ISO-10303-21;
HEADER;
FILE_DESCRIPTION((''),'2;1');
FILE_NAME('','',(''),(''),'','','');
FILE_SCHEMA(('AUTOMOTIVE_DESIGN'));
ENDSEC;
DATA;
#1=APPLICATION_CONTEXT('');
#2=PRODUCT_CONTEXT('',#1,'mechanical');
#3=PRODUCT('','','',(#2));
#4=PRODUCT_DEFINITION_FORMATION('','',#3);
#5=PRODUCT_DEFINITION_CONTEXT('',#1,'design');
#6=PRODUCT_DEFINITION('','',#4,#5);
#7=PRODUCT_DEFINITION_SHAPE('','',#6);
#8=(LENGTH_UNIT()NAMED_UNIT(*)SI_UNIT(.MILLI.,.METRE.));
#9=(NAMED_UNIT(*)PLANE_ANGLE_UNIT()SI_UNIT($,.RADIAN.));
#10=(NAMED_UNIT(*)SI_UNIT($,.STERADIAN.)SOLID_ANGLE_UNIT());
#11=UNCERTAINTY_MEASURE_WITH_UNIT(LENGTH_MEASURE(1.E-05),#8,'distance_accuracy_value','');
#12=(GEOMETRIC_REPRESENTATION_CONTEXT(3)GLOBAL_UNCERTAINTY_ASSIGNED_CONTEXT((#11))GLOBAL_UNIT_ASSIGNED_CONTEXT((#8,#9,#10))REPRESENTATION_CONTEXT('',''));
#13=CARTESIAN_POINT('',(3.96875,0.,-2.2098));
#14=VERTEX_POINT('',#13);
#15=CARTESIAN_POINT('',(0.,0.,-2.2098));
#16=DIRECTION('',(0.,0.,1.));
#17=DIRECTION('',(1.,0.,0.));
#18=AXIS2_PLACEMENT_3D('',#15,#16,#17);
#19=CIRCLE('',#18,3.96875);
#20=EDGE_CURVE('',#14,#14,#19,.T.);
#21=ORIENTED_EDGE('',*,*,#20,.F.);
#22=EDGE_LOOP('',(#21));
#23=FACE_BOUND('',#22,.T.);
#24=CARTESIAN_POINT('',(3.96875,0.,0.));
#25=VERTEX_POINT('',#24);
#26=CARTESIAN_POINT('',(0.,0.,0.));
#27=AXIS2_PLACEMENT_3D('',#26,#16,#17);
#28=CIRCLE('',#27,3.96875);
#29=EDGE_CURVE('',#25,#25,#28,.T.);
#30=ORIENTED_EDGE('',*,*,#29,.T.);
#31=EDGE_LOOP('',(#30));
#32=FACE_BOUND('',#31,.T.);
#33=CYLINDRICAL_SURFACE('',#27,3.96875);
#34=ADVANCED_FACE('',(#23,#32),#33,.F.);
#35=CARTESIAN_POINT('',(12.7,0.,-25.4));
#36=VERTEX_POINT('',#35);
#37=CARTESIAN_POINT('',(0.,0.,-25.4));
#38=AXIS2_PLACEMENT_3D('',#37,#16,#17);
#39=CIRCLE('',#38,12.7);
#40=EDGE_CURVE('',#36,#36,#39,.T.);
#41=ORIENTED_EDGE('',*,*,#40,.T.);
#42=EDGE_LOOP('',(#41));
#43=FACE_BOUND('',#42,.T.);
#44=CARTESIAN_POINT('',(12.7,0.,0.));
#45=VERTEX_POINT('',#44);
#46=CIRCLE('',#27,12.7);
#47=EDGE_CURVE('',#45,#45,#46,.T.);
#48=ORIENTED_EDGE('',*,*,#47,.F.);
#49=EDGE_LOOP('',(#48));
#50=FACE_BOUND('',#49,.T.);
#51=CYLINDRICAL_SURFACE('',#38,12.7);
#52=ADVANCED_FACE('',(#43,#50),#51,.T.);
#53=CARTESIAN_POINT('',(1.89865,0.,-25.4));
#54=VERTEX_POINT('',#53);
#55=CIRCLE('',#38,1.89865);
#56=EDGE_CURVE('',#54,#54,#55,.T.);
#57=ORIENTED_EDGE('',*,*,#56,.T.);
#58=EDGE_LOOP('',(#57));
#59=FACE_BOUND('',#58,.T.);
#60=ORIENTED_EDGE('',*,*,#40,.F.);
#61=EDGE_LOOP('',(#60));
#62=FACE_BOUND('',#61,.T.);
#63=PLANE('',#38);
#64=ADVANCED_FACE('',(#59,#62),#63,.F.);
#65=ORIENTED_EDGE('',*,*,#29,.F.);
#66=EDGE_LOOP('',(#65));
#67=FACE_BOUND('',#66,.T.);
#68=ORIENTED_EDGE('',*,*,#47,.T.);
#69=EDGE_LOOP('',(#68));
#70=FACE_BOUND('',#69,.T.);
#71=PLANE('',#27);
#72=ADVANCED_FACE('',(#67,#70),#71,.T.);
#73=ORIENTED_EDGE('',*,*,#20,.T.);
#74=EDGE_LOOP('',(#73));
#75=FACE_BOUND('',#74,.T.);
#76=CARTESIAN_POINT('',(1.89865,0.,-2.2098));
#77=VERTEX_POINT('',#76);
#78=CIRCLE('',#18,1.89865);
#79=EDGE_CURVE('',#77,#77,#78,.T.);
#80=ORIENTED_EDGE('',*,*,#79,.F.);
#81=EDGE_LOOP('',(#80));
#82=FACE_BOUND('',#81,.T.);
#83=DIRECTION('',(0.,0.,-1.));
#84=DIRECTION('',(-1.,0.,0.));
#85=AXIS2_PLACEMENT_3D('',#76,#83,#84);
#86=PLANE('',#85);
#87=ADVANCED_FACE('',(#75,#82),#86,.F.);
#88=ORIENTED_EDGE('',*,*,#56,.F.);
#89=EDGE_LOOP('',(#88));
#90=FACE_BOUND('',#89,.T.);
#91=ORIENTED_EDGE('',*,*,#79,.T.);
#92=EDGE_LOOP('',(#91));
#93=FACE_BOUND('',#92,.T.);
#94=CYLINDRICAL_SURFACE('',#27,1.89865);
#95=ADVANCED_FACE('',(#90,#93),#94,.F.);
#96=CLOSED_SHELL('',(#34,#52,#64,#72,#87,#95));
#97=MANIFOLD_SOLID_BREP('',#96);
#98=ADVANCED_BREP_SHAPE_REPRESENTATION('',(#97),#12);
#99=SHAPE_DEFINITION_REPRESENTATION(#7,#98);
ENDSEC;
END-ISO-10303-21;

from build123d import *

# Parameters (mm, degrees)
SKETCH1_R                                           = 12.7
BOSS_EXTRUDE1_DEPTH                                 = 25.4
CBORE_FOR_6_BINDING_HEAD_MACHINE_SCREW1_D           = 3.7973
CBORE_FOR_6_BINDING_HEAD_MACHINE_SCREW1_CBORE_D     = 7.9375
CBORE_FOR_6_BINDING_HEAD_MACHINE_SCREW1_CBORE_DEPTH = 2.2098


with BuildPart() as part:
    # Sketch1 → Boss-Extrude1 (new body)
    with BuildSketch(Plane.XY):
        Circle(SKETCH1_R)
    extrude(amount=-BOSS_EXTRUDE1_DEPTH)

    # CBORE for #6 Binding Head Machine Screw1 (through all)
    with Locations(Plane.XY):
        with Locations((0, 0)):
            CounterBoreHole(CBORE_FOR_6_BINDING_HEAD_MACHINE_SCREW1_D / 2, CBORE_FOR_6_BINDING_HEAD_MACHINE_SCREW1_CBORE_D / 2, CBORE_FOR_6_BINDING_HEAD_MACHINE_SCREW1_CBORE_DEPTH)


solid = part.part
